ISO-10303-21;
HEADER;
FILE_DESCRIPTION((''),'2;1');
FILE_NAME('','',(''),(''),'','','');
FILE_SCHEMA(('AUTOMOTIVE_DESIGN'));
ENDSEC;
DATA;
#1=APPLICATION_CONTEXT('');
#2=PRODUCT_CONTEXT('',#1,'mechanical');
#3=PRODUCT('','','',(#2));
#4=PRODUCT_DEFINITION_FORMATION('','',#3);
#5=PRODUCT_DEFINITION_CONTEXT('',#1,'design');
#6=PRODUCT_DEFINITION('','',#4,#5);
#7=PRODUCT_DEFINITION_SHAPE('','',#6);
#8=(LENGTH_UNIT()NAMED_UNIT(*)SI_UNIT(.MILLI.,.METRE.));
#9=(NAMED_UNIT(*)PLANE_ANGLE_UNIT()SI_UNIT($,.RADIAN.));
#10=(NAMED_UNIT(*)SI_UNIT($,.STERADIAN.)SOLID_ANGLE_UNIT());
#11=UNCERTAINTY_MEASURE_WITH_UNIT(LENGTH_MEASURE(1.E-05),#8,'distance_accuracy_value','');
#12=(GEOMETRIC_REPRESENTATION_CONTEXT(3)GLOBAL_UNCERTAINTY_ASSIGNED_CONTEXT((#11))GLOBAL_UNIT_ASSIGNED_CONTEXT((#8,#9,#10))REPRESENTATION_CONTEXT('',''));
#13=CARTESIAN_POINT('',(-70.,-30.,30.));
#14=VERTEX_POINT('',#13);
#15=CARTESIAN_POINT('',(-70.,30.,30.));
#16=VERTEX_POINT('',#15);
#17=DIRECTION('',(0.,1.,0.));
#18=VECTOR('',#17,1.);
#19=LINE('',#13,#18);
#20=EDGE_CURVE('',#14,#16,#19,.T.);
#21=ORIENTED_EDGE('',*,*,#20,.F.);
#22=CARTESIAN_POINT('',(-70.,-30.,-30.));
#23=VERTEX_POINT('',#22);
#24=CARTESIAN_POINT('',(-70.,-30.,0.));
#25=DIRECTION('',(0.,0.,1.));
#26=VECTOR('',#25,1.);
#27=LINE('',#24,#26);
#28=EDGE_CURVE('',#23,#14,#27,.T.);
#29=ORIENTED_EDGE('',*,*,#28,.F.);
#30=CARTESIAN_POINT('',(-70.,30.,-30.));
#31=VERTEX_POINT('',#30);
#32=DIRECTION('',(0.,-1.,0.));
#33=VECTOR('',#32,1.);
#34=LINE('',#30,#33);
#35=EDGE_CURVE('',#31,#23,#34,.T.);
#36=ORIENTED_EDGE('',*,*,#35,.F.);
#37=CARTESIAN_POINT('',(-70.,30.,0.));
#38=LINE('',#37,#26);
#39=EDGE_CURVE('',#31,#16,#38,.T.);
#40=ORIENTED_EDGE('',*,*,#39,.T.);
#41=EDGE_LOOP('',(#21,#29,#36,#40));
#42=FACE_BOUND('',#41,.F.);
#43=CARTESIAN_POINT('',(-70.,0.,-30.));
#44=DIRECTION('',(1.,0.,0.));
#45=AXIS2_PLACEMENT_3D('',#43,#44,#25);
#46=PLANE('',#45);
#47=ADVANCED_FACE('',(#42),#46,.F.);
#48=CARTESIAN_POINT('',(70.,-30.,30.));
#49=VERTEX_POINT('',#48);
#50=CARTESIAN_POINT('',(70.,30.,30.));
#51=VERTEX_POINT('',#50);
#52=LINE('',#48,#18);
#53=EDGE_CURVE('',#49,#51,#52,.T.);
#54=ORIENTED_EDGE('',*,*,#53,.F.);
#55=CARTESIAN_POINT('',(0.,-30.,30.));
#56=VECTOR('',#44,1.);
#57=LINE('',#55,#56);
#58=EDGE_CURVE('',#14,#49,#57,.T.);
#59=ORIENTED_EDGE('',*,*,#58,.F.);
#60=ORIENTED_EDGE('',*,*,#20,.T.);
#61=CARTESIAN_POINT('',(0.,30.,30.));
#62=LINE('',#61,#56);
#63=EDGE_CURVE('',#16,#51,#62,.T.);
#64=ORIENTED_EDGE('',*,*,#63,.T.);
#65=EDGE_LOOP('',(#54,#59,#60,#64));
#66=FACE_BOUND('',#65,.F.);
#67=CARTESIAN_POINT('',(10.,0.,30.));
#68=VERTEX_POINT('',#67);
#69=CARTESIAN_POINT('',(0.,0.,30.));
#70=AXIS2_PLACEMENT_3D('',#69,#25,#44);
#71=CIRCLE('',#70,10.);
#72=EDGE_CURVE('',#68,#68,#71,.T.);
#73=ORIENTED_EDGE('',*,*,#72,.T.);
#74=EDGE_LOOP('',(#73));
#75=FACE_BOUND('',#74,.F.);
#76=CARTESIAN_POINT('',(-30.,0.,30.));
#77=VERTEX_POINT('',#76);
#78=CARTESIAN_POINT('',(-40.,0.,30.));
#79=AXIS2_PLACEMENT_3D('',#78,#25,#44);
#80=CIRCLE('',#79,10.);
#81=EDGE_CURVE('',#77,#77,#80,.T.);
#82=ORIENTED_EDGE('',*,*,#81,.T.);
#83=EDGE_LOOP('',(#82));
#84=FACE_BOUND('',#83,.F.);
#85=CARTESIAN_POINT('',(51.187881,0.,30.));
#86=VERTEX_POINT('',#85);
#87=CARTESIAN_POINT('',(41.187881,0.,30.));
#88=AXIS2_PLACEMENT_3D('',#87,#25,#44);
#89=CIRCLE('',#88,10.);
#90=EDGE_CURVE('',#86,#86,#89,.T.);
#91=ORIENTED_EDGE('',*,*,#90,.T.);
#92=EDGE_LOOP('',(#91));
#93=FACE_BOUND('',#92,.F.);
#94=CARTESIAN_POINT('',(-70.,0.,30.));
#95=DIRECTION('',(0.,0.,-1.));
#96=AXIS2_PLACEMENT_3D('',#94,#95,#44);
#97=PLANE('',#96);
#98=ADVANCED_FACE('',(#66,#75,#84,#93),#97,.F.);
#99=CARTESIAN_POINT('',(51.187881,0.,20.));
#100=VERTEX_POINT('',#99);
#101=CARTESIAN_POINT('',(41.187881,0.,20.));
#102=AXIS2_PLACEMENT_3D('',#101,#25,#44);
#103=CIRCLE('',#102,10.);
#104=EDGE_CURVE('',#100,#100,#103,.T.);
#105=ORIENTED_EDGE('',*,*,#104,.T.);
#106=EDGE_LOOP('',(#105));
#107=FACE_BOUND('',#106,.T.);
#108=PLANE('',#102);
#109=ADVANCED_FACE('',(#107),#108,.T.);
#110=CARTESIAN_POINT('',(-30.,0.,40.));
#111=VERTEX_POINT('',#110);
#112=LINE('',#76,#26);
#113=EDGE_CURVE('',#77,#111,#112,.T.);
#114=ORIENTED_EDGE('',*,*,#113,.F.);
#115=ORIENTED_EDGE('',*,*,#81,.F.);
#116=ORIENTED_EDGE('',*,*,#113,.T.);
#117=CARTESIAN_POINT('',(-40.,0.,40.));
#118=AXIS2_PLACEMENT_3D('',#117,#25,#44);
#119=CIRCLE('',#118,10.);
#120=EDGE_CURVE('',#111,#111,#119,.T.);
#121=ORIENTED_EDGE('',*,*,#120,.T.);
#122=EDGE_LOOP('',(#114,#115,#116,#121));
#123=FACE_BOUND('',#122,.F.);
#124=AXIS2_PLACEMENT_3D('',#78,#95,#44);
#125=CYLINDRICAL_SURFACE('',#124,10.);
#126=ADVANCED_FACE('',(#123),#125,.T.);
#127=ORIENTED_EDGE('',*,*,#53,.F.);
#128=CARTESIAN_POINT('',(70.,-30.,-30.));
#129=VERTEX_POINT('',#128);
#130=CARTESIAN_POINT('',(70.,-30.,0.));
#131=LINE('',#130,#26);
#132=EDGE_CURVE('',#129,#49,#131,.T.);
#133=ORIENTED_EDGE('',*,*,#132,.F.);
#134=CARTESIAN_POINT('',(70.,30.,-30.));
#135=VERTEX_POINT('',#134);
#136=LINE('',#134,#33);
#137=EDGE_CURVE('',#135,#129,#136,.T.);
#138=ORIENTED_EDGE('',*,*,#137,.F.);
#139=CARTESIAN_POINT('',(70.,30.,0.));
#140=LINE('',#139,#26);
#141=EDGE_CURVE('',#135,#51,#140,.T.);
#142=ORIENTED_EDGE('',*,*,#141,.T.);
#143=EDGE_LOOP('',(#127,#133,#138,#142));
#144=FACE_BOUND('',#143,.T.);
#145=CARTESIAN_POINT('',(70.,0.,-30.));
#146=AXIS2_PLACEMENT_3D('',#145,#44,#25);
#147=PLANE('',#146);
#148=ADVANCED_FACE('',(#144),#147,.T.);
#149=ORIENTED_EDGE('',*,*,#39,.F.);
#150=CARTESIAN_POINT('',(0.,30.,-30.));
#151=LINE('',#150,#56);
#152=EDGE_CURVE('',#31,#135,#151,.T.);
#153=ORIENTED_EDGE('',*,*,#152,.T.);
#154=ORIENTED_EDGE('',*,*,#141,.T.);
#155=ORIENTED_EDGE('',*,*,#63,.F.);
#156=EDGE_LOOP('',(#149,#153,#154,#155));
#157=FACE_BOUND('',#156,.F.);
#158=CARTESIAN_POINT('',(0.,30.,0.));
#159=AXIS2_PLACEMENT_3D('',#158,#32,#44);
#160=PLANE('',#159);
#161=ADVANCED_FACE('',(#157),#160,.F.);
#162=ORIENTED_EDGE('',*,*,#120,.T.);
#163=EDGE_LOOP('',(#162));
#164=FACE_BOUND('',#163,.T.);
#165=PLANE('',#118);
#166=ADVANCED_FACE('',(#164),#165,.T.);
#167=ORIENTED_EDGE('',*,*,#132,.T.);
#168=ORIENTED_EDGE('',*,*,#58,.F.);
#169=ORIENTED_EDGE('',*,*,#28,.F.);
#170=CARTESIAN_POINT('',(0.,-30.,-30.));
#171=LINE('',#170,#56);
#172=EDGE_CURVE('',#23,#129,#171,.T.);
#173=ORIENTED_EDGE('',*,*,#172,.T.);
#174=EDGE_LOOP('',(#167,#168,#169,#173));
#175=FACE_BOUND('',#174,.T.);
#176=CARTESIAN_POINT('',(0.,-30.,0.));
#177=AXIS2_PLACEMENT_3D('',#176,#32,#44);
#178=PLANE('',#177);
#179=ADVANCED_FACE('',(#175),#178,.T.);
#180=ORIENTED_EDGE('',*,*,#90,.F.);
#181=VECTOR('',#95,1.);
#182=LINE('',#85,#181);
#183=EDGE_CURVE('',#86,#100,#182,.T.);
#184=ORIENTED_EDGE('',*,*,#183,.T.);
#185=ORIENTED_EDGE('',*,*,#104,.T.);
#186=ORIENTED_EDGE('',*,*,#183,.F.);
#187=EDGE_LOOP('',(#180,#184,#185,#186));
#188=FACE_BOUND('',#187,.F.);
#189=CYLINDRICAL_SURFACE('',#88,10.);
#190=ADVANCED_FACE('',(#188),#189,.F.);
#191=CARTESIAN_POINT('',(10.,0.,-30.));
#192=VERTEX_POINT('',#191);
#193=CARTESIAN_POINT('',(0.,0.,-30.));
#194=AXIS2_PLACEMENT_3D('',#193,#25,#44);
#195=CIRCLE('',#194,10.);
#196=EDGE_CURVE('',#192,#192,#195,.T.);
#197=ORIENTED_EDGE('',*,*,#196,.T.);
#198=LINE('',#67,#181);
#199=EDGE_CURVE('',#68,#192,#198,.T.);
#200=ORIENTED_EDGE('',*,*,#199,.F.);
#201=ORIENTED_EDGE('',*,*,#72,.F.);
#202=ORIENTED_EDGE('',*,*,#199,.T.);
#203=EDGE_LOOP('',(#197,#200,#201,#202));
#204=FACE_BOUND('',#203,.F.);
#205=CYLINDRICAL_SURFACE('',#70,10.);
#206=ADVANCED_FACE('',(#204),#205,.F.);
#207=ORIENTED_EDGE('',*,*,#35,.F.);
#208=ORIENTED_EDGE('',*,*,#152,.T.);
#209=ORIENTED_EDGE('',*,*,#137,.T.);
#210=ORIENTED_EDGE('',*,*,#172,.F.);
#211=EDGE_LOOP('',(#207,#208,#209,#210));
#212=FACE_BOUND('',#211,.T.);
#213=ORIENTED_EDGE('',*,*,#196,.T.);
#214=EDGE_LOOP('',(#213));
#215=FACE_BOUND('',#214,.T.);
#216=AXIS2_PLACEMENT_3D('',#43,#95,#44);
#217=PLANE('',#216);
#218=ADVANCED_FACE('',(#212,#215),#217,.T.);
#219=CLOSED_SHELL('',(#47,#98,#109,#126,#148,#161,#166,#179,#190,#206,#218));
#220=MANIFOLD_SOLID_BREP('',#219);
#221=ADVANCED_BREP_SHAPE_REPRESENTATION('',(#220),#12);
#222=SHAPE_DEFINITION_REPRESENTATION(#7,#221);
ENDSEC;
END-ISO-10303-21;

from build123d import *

# Parameters (mm, degrees)
F0_W     = 140
F0_H     = 60
F1_DEPTH = 30
F2_R     = 10
F3_DEPTH = 63.9
F4_R     = 10
F5_DEPTH = 10
F6_R     = 10
F7_DEPTH = 10


with BuildPart() as f1:
    # F0 (on Front) → F1 (new body, symmetric)
    with BuildSketch(Plane.XZ):
        Rectangle(F0_W, F0_H)
    extrude(amount=F1_DEPTH, both=True)

    # F2 (on face) → F3 (cut)
    with BuildSketch(Plane.XY.offset(30)):
        Circle(F2_R)
    extrude(amount=-F3_DEPTH, mode=Mode.SUBTRACT)

    # F4 (on face) → F5 (cut)
    with BuildSketch(Plane.XY.offset(30)):
        with Locations((41.187881, 0)):
            Circle(F4_R)
    extrude(amount=-F5_DEPTH, mode=Mode.SUBTRACT)

    # F6 (on face) → F7 (join)
    with BuildSketch(Plane.XY.offset(30)):
        with Locations((-40, 0)):
            Circle(F6_R)
    extrude(amount=F7_DEPTH)


solid = f1.part
